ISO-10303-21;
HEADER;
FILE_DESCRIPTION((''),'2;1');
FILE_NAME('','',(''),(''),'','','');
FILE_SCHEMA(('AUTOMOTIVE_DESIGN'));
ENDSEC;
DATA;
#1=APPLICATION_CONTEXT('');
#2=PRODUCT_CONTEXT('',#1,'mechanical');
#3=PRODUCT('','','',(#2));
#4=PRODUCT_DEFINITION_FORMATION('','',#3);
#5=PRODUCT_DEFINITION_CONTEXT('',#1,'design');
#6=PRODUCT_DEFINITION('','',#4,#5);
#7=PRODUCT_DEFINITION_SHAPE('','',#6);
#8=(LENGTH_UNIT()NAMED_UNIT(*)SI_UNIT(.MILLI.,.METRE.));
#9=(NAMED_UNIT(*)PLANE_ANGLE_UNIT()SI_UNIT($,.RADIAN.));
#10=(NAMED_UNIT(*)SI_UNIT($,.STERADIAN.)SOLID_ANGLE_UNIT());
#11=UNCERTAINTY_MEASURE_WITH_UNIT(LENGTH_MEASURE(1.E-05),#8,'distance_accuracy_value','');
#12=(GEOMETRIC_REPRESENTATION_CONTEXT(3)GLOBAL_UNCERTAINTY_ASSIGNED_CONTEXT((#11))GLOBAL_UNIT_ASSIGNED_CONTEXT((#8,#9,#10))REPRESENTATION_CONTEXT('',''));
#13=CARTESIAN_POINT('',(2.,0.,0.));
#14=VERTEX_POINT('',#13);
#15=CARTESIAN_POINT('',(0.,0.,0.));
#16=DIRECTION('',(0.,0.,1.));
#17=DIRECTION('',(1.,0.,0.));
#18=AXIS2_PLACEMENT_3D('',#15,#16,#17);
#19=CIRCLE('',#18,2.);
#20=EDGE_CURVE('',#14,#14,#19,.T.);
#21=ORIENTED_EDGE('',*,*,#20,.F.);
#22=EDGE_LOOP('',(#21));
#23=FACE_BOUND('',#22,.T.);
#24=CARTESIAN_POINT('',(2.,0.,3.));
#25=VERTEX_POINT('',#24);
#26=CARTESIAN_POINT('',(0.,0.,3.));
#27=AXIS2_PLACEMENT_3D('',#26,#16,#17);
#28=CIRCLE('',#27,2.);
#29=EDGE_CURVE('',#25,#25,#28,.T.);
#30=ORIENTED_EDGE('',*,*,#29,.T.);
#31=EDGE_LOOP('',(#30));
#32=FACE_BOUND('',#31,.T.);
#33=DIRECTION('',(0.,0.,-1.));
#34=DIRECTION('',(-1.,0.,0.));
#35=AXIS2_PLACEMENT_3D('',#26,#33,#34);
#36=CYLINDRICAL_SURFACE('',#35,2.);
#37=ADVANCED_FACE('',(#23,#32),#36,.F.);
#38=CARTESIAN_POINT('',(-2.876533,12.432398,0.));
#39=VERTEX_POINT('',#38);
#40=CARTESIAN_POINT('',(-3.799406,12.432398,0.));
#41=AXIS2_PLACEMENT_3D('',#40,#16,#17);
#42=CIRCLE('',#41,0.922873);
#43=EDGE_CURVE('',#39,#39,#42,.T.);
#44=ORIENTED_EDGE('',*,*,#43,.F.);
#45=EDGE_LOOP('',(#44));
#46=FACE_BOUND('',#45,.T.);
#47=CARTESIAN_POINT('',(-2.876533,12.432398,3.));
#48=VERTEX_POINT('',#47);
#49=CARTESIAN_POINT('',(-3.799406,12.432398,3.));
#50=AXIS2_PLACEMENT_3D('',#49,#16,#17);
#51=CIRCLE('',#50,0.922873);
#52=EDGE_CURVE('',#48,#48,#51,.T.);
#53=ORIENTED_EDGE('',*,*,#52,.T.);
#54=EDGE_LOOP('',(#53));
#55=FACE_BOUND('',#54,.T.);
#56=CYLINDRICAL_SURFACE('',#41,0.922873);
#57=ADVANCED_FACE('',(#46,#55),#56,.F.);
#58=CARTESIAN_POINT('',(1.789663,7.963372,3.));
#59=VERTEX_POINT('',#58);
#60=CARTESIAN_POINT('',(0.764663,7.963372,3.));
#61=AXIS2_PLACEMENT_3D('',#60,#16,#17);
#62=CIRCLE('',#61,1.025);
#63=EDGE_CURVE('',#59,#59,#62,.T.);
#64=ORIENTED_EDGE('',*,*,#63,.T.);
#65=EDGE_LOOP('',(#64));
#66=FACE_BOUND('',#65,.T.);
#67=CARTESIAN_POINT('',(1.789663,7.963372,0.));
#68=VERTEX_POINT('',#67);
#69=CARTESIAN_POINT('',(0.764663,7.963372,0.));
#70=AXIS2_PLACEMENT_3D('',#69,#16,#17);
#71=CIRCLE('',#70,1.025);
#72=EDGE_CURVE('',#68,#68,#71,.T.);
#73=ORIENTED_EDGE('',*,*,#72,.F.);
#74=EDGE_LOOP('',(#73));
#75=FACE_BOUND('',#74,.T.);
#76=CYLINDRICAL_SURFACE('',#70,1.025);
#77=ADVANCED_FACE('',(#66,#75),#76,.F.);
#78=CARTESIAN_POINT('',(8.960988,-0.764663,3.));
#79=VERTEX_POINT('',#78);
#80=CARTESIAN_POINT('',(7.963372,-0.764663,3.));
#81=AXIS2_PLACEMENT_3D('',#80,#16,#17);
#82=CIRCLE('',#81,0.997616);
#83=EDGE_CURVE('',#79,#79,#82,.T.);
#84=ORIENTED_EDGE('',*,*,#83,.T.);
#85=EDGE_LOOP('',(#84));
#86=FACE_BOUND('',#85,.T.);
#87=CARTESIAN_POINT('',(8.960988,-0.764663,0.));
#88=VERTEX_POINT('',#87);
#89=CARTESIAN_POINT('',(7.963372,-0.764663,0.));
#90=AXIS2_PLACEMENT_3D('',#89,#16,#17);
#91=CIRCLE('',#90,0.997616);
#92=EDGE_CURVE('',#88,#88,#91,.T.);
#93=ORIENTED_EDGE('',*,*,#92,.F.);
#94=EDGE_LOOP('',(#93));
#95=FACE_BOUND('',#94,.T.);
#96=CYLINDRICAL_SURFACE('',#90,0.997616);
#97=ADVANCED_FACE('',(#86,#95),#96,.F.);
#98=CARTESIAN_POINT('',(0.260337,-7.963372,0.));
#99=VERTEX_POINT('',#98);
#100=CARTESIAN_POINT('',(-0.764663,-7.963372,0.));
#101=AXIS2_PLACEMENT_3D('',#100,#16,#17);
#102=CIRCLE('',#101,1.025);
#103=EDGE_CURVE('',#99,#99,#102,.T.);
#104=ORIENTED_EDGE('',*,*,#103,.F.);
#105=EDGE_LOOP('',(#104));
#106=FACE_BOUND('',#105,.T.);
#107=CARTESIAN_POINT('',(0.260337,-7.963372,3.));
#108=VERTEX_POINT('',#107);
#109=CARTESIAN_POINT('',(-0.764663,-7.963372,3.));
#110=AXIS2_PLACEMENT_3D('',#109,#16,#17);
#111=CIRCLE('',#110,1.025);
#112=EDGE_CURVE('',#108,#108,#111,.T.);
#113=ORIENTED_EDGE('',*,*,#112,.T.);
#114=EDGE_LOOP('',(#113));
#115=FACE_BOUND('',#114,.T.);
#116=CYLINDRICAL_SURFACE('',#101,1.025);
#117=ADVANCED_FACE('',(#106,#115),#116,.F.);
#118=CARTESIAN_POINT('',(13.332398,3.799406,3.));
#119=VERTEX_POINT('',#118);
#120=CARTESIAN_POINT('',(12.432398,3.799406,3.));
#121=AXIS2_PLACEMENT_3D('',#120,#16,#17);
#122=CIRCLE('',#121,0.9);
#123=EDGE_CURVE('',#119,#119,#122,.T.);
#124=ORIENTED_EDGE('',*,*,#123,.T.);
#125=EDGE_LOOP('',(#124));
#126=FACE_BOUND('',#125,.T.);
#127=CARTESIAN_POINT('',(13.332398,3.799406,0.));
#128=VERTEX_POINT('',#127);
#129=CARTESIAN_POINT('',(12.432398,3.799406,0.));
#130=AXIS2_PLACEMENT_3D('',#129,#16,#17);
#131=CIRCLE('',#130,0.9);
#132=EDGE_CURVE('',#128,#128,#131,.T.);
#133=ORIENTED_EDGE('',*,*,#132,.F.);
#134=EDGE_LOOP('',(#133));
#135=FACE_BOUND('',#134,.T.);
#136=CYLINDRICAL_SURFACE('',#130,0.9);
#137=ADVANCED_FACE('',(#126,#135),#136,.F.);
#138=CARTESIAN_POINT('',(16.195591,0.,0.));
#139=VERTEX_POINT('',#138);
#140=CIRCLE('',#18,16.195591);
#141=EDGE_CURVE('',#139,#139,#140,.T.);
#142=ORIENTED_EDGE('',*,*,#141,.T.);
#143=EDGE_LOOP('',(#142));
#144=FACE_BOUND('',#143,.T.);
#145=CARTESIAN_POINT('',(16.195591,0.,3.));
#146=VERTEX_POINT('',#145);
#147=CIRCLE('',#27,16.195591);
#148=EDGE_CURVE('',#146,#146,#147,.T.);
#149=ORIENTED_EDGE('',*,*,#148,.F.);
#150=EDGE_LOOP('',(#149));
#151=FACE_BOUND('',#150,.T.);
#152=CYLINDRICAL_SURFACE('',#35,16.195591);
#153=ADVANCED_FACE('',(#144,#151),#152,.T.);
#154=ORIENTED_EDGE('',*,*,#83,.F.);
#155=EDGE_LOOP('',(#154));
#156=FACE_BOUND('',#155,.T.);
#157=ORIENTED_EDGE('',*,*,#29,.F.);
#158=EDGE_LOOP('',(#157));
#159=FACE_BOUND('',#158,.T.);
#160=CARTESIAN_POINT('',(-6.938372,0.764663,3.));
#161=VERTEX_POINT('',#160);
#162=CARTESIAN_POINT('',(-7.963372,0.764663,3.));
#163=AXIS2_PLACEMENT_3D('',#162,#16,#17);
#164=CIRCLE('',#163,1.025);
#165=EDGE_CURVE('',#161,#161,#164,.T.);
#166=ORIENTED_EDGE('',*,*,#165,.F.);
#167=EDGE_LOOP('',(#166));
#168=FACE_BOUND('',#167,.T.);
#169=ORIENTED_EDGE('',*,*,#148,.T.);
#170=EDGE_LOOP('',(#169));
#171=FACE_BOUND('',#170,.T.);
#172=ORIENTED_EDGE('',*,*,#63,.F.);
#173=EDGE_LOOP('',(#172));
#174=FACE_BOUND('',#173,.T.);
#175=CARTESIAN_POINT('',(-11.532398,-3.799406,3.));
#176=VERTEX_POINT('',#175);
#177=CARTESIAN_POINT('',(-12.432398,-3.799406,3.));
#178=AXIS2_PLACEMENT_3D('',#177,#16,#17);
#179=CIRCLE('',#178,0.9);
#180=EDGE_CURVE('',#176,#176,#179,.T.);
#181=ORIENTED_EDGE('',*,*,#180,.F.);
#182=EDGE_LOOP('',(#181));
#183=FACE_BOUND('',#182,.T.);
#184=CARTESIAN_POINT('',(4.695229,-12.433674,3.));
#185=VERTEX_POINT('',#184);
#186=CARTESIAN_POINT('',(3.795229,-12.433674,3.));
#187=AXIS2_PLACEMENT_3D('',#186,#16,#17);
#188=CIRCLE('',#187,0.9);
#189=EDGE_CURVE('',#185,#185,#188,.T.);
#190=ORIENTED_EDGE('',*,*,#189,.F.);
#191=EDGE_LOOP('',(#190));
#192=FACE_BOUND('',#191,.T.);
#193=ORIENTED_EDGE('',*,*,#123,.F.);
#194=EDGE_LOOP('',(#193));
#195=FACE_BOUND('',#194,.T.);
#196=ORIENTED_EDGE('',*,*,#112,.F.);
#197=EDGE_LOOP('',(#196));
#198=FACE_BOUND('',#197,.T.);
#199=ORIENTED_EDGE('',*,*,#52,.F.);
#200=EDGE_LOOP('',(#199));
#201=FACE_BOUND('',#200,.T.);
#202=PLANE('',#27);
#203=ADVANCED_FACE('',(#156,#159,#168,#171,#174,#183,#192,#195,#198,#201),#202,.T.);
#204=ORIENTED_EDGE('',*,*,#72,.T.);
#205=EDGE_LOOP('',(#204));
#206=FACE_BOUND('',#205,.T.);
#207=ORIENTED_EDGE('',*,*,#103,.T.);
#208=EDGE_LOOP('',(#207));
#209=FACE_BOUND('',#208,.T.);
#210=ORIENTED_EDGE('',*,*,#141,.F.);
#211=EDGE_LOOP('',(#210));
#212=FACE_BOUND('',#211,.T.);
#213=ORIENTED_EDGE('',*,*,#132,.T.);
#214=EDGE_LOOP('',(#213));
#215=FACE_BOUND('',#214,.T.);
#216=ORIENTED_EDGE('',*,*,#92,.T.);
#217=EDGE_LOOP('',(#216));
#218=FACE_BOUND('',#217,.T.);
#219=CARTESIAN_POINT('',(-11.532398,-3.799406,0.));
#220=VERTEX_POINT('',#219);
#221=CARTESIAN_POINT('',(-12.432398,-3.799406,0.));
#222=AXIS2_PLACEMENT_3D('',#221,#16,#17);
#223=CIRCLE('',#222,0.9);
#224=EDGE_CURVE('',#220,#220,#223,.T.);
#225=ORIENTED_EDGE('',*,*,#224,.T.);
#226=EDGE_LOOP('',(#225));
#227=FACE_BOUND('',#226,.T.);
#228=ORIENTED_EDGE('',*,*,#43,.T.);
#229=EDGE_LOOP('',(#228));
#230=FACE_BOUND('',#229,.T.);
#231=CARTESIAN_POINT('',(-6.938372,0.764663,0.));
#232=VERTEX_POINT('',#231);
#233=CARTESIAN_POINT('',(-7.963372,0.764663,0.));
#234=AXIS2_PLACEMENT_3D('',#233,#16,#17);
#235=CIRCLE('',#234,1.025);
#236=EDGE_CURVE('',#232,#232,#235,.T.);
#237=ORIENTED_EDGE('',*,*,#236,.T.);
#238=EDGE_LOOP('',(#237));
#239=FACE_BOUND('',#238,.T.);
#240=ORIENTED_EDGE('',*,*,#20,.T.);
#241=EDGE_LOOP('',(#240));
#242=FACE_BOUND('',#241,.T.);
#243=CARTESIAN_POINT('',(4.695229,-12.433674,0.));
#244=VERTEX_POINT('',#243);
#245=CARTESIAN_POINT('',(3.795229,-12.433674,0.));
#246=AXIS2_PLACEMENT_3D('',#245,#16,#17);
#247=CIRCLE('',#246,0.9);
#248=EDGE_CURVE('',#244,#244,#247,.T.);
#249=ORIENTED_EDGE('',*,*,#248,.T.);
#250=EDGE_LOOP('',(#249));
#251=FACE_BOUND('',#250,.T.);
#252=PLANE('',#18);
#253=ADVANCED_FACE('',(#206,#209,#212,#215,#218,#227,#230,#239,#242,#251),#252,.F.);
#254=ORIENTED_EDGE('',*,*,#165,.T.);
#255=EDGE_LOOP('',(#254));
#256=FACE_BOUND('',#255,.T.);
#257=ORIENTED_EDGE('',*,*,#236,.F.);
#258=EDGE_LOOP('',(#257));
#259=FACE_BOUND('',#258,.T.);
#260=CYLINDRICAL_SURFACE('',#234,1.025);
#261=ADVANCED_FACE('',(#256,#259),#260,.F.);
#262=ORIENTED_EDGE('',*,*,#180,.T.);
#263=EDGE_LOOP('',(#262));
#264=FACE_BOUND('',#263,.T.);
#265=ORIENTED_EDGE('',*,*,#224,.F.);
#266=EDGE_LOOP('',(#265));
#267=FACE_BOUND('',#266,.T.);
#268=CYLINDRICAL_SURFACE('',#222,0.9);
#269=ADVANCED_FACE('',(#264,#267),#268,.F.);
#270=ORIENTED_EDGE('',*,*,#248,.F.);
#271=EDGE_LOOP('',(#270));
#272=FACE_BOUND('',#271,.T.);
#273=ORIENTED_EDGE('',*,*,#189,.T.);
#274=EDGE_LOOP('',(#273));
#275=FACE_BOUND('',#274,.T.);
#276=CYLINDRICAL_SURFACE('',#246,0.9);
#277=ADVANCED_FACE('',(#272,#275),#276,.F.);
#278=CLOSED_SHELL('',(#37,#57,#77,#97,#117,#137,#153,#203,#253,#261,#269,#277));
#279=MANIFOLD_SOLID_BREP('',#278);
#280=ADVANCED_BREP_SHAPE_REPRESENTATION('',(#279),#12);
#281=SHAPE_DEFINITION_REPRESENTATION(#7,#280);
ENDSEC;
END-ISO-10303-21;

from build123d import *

# Parameters (mm, degrees)
ESQUISSE1_R             = 16.195590531
ESQUISSE1_R_2           = 2
BOSS_EXTRU_1_DEPTH      = 3
ESQUISSE3_R             = 0.997616065
ESQUISSE3_R_2           = 1.025
ESQUISSE3_R_3           = 0.922873217
ESQUISSE3_R_4           = 0.9
ENL_V_MAT_EXTRU_2_DEPTH = 24.099660286


with BuildPart() as part:
    # Esquisse1 → Boss.-Extru.1 (new body)
    with BuildSketch(Plane.XY):
        Circle(ESQUISSE1_R)
        Circle(ESQUISSE1_R_2, mode=Mode.SUBTRACT)
    extrude(amount=BOSS_EXTRU_1_DEPTH)

    # Esquisse3 → Enlèv. mat.-Extru.2 (cut, through all)
    with BuildSketch(Plane.XY.offset(3)):
        with Locations((7.963371834, -0.764662688)):
            Circle(ESQUISSE3_R)
        with Locations((0.764662688, 7.963371834)):
            Circle(ESQUISSE3_R_2)
        with Locations((-7.963371834, 0.764662688)):
            Circle(ESQUISSE3_R_2)
        with Locations((-0.764662688, -7.963371834)):
            Circle(ESQUISSE3_R_2)
        with Locations((-3.799406279, 12.432397674)):
            Circle(ESQUISSE3_R_3)
        with Locations((12.432397674, 3.799406279)):
            Circle(ESQUISSE3_R_4)
        with Locations((3.795228677, -12.433673604)):
            Circle(ESQUISSE3_R_4)
        with Locations((-12.432397674, -3.799406279)):
            Circle(ESQUISSE3_R_4)
    extrude(amount=-ENL_V_MAT_EXTRU_2_DEPTH, mode=Mode.SUBTRACT)


solid = part.part
